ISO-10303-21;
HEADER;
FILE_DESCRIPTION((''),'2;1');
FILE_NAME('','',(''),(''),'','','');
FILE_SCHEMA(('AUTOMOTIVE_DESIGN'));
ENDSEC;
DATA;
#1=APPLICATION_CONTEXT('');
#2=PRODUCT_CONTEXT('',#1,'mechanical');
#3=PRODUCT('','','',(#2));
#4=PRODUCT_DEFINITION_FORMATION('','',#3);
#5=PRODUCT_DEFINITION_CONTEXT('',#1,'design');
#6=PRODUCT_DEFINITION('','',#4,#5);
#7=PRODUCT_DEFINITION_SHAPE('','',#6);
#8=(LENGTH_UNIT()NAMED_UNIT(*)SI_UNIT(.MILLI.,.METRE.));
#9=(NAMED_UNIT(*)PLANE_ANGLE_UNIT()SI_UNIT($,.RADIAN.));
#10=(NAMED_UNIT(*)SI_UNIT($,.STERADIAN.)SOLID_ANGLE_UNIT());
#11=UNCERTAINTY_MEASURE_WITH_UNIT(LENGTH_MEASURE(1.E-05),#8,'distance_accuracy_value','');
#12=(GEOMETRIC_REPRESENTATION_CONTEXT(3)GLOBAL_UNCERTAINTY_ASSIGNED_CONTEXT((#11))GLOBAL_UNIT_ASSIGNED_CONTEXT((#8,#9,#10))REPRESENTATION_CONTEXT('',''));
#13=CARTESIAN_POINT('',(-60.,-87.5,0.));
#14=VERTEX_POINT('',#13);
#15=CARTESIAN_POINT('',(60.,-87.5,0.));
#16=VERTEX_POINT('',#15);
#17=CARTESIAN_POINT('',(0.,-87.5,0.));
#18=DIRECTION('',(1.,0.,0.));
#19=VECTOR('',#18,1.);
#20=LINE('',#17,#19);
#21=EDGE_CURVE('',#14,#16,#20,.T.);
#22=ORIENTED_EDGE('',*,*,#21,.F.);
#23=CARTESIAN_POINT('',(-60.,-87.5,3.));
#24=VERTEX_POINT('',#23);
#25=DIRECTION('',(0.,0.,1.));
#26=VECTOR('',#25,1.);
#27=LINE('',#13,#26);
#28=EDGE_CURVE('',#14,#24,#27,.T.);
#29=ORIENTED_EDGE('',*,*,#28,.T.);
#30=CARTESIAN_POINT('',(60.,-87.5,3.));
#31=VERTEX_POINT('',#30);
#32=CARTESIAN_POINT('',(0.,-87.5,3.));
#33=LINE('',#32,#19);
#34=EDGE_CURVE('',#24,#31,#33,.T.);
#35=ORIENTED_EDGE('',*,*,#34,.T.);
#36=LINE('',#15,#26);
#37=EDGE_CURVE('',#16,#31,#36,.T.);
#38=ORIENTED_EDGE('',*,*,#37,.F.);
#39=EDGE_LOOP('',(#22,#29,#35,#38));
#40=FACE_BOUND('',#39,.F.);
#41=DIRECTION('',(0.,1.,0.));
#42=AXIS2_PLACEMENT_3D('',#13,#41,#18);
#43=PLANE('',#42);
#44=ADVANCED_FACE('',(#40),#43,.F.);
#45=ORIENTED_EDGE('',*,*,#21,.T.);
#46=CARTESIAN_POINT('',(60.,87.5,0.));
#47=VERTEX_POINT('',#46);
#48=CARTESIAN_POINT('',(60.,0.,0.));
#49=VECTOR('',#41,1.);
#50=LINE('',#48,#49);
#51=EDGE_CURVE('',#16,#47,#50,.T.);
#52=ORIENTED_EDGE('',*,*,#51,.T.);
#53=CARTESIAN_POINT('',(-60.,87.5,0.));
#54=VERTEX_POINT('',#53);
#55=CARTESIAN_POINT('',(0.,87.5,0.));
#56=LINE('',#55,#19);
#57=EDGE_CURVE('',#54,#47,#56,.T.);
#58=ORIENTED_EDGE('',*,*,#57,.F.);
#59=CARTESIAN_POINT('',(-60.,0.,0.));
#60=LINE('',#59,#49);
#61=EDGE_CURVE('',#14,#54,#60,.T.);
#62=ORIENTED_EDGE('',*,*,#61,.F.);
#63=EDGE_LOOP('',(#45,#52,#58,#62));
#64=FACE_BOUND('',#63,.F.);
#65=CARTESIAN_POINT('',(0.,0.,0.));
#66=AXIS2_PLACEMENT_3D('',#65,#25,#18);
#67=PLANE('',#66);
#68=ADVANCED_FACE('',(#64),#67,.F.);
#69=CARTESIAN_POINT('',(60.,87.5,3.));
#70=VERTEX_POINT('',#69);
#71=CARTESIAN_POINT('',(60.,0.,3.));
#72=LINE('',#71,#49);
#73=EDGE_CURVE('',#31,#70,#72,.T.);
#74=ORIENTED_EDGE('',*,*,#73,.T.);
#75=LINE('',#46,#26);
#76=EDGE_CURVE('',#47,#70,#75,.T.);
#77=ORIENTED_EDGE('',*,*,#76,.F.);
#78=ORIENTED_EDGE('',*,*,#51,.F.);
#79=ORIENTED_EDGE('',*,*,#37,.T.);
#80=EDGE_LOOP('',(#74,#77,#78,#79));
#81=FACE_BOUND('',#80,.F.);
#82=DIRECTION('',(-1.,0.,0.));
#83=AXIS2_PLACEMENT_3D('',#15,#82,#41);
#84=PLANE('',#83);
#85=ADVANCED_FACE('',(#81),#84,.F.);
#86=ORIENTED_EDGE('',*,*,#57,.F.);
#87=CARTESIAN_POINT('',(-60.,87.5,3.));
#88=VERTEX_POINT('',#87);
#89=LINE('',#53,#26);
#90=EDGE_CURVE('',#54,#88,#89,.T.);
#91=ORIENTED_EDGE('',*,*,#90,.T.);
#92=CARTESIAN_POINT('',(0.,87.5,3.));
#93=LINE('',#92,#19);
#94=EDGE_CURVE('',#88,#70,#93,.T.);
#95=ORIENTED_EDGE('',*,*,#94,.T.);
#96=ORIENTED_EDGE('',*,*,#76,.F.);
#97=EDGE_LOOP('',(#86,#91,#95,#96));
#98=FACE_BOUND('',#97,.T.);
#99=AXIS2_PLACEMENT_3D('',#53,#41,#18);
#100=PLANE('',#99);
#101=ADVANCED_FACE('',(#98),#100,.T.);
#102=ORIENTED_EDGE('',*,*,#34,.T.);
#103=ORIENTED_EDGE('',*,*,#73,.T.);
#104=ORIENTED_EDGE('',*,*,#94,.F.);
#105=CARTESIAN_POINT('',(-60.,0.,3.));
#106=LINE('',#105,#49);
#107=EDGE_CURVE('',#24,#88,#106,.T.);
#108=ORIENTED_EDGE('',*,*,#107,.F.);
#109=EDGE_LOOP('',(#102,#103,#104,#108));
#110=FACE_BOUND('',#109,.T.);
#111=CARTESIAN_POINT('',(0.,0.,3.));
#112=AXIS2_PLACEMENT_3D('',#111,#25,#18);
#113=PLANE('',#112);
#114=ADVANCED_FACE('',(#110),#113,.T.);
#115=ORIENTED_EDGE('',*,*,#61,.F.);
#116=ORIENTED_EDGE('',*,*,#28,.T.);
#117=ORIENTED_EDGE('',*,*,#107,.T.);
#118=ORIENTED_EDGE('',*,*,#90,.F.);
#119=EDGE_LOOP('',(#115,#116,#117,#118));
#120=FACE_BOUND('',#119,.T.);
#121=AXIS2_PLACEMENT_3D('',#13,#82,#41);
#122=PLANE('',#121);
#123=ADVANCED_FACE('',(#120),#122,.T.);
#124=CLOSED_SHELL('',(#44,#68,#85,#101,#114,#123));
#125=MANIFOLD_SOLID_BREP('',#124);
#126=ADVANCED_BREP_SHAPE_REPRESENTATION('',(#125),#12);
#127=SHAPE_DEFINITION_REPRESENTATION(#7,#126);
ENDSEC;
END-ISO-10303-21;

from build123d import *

# Parameters (mm, degrees)
SKETCH_W  = 120
SKETCH_H  = 175
PAD_DEPTH = 3


with BuildPart() as part:
    # Sketch → Pad (new body)
    with BuildSketch(Plane.XY):
        Rectangle(SKETCH_W, SKETCH_H)
    extrude(amount=PAD_DEPTH)


solid = part.part
